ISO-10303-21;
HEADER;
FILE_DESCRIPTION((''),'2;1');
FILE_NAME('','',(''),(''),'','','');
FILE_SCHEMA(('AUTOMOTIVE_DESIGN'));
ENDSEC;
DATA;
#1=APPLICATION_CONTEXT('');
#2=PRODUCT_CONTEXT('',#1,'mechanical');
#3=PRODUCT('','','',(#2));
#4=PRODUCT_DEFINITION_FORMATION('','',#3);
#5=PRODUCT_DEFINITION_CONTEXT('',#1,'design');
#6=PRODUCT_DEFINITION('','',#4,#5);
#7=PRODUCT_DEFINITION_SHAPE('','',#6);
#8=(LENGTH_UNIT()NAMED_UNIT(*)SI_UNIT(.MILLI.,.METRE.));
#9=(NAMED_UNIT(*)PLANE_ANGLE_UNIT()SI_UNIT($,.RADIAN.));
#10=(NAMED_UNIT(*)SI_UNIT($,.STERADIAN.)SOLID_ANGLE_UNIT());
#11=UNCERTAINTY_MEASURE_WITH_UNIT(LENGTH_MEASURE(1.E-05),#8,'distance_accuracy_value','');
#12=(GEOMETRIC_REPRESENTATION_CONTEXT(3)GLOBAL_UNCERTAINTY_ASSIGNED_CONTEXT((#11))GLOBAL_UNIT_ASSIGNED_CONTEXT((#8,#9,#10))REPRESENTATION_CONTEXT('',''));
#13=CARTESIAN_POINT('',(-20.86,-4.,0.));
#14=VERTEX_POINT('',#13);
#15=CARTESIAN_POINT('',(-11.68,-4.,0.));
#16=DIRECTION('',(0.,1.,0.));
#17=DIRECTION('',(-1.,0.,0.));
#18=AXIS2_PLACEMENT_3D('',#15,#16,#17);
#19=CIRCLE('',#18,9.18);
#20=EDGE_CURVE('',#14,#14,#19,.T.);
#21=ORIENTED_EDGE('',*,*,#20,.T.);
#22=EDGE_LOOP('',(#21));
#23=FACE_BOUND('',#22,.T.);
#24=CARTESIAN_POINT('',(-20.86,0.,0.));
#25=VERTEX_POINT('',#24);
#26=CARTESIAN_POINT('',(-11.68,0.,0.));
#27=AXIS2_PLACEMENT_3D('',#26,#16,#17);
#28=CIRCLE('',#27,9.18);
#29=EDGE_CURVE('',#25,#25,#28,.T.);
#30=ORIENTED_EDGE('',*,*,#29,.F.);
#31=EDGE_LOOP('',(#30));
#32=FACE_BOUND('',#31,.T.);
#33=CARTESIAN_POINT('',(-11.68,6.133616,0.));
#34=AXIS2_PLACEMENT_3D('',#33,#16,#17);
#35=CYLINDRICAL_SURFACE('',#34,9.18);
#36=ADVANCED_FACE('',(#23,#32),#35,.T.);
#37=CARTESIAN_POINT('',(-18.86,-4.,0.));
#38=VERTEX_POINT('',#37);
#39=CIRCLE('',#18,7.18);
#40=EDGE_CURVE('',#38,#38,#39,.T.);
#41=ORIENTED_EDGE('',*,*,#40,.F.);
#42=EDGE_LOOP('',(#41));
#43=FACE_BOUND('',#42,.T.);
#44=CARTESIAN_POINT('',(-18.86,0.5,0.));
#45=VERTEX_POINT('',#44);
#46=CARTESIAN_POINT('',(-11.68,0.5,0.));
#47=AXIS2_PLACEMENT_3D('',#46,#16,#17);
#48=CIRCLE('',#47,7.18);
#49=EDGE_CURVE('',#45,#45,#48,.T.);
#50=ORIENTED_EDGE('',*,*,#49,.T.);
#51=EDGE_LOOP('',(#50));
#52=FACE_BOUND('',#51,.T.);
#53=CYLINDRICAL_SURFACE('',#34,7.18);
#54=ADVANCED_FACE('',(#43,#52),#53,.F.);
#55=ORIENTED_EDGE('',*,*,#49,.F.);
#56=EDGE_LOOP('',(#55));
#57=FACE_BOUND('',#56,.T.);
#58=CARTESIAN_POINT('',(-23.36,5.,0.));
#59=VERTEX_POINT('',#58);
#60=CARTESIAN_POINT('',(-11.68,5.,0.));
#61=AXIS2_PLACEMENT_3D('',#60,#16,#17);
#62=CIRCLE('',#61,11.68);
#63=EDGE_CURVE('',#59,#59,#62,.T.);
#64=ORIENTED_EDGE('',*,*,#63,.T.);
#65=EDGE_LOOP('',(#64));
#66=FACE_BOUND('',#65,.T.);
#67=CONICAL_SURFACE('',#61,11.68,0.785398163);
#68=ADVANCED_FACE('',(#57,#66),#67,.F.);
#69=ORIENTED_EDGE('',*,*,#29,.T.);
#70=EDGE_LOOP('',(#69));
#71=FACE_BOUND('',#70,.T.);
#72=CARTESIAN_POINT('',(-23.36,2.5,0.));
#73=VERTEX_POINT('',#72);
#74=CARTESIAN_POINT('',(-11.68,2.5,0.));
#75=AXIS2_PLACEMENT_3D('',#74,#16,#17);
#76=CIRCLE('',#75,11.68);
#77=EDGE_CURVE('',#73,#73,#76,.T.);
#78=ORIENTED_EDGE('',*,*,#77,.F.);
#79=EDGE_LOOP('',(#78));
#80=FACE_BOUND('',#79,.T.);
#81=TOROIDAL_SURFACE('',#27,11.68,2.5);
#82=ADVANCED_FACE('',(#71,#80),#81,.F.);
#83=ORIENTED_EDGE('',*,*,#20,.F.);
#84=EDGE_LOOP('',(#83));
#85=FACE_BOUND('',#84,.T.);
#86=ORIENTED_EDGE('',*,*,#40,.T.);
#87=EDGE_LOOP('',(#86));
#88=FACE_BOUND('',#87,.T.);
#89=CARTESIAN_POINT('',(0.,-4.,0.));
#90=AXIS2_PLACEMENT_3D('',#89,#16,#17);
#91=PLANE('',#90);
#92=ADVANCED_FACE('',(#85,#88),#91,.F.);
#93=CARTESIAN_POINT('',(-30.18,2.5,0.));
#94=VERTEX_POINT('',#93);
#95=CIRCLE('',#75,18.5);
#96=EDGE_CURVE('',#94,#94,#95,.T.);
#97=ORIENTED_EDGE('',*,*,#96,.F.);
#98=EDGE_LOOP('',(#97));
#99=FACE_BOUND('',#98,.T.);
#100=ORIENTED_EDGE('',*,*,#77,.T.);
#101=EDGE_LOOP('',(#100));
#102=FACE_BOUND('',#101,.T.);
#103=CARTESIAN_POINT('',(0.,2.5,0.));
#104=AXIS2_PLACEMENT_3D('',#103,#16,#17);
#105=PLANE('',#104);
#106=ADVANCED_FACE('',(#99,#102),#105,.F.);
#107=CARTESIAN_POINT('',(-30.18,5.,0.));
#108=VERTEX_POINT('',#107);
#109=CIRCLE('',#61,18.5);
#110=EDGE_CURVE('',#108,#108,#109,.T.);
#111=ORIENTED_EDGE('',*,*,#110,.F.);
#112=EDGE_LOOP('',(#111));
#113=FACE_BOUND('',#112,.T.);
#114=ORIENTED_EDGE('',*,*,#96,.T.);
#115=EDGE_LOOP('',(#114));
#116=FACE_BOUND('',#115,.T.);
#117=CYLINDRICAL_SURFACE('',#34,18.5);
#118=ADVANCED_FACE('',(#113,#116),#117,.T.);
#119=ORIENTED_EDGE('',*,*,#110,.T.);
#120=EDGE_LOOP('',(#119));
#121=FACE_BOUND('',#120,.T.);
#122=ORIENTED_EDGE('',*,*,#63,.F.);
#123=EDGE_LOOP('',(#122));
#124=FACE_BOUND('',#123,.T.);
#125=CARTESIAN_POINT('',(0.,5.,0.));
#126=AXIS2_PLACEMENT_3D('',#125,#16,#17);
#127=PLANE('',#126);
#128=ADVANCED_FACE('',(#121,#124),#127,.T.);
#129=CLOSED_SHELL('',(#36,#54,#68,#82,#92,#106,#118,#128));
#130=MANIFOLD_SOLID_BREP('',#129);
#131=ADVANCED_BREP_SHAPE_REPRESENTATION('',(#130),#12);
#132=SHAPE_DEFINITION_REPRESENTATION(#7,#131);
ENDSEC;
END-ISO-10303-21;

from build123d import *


with BuildPart() as part:
    # Sketch1 → Revolve1 (revolve)
    with BuildSketch(Plane.XY, mode=Mode.PRIVATE) as revolve1_sk:
        with BuildLine():
            Line((6.82, 5), (0, 5))
            Line((0, 5), (-4.5, 0.5))
            Line((-4.5, 0.5), (-4.5, -4))
            Line((-4.5, -4), (-2.5, -4))
            Line((-2.5, -4), (-2.5, 0))
            ThreePointArc((-2.5, 0), (-1.767766953, 1.767766953), (0, 2.5))
            Line((0, 2.5), (6.82, 2.5))
            Line((6.82, 2.5), (6.82, 5))
        make_face()
    revolve(revolve1_sk.sketch.rotate(Axis((-11.68, 6.133615875, 0), (0, -1, 0)), 180), axis=Axis((-11.68, 6.133615875, 0), (0, -1, 0)))


solid = part.part
